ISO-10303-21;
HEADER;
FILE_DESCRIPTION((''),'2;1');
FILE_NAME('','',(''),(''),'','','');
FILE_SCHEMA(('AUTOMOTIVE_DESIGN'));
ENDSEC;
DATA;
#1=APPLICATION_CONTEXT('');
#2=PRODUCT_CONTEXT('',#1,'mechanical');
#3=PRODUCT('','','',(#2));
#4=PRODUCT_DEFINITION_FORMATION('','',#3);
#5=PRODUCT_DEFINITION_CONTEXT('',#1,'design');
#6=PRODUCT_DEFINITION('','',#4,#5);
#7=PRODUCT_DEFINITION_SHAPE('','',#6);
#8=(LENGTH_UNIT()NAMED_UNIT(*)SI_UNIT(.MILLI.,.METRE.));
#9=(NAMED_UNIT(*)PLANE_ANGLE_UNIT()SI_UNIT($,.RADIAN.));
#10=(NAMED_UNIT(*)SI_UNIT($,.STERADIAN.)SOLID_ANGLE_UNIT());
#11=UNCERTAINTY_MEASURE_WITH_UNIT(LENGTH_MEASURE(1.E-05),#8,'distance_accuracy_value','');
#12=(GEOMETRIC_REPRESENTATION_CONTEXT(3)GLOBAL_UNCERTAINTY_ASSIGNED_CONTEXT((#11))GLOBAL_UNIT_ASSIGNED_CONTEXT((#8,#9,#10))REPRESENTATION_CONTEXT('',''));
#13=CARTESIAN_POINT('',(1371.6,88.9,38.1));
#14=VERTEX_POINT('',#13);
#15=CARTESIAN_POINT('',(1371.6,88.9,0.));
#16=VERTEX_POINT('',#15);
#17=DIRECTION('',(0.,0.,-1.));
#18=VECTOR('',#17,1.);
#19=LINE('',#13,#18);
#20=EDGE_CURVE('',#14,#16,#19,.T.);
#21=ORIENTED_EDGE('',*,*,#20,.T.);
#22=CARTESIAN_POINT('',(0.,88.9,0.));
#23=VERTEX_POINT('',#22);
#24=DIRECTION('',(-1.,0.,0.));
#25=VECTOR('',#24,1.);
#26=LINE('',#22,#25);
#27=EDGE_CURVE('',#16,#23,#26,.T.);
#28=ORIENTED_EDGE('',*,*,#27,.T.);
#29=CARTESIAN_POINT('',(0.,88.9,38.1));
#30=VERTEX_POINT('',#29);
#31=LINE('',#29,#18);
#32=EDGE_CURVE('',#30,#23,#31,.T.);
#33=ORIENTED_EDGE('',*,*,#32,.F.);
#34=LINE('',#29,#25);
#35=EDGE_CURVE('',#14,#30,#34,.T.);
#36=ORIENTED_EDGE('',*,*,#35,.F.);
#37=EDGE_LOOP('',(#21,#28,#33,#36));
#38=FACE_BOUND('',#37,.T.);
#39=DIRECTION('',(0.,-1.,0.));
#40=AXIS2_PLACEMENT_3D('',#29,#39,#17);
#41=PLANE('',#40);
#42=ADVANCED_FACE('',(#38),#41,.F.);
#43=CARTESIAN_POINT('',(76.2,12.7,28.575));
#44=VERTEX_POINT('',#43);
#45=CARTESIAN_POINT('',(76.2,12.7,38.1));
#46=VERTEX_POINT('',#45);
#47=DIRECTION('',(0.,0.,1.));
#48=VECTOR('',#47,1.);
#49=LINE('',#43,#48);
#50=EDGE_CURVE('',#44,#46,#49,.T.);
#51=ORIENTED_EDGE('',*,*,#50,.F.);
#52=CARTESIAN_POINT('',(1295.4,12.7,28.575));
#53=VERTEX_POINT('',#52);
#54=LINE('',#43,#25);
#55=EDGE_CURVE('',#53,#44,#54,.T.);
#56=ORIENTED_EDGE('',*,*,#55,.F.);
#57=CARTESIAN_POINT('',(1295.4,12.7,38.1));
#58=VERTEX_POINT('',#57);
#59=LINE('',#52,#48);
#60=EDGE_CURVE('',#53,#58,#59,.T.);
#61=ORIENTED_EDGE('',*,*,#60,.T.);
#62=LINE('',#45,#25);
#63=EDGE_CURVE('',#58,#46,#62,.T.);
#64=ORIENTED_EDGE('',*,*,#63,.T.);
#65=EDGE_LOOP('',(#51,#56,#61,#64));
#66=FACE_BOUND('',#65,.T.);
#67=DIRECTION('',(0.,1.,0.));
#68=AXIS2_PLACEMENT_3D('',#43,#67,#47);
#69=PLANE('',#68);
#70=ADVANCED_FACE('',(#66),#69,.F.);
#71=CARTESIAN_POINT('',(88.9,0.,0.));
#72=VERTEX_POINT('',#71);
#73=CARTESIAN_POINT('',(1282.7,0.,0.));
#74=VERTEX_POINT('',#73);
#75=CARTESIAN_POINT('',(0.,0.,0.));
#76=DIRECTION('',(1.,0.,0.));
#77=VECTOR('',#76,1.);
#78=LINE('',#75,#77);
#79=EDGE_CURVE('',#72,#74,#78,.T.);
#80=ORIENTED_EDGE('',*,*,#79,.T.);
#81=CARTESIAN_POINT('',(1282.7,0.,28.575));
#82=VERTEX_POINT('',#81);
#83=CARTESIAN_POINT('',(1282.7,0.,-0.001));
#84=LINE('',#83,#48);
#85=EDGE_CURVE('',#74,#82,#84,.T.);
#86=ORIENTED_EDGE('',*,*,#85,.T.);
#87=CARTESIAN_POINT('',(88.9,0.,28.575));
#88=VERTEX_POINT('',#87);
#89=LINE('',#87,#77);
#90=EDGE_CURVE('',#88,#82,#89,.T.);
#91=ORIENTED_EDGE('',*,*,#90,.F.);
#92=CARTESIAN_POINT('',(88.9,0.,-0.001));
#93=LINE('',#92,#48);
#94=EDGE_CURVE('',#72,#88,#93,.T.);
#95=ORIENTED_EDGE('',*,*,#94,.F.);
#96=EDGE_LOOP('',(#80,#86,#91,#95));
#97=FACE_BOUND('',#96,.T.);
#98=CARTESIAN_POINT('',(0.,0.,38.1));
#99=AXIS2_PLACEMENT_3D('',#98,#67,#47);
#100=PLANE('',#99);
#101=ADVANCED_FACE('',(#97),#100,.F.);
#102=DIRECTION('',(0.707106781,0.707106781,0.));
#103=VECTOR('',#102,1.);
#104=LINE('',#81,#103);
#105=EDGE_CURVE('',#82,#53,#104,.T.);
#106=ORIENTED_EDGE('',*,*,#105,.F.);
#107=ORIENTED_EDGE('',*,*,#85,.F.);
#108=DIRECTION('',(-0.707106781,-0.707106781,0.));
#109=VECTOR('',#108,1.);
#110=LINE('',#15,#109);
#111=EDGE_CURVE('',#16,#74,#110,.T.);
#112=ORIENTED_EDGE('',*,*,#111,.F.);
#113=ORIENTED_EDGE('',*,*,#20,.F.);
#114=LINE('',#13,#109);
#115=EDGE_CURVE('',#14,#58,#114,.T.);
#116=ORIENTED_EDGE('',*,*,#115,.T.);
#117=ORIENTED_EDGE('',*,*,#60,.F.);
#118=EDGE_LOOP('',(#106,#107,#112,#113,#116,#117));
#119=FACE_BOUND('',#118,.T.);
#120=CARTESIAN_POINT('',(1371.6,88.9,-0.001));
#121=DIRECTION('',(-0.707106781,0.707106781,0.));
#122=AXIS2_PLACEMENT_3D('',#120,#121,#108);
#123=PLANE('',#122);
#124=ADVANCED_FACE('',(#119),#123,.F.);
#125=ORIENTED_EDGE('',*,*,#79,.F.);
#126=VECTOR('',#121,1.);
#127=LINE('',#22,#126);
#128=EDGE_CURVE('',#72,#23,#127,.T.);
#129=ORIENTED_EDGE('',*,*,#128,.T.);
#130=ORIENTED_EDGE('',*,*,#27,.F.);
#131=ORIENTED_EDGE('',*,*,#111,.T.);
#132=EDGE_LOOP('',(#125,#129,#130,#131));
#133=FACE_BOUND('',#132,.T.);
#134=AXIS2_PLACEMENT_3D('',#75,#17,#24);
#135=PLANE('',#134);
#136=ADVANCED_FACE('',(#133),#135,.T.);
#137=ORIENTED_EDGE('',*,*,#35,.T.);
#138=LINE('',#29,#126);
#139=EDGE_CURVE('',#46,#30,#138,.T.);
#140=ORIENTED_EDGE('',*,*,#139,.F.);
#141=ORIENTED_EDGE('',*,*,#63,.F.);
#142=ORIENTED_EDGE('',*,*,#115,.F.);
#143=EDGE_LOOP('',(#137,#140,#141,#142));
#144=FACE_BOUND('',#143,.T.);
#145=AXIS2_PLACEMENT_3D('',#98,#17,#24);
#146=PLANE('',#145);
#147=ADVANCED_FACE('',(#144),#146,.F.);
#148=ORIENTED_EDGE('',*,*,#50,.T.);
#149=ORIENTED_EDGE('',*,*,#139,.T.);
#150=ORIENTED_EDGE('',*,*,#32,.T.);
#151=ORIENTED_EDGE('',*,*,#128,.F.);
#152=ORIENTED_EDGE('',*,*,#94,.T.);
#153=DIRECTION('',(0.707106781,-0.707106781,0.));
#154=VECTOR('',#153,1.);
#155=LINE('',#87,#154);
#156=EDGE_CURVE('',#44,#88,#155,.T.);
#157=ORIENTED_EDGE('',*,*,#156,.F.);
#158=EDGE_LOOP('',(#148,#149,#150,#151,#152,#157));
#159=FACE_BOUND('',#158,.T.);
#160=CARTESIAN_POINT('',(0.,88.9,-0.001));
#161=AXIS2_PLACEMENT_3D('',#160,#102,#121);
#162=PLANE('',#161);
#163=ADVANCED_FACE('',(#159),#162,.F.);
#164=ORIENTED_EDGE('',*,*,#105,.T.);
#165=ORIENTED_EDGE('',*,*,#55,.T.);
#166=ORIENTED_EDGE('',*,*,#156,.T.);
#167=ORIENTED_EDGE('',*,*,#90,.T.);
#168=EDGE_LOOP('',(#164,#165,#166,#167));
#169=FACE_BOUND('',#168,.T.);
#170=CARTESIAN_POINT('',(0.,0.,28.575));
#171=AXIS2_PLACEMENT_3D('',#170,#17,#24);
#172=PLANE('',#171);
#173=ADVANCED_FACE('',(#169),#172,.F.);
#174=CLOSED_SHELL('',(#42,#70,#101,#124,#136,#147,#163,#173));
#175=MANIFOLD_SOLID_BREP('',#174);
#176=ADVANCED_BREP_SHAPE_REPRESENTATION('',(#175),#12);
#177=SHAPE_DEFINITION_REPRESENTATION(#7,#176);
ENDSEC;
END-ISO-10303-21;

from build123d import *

# Parameters (mm, degrees)
SKETCH1_W           = 1371.6
SKETCH1_H           = 88.9
BOSS_EXTRUDE1_DEPTH = 38.1
CUT_EXTRUDE1_REACH  = 40.1
CUT_EXTRUDE2_REACH  = 40.1
CUT_EXTRUDE3_DEPTH  = 9.525


with BuildPart() as part:
    # Sketch1 → Boss-Extrude1 (new body)
    with BuildSketch(Plane.XY):
        with Locations((685.8, 44.45)):
            Rectangle(SKETCH1_W, SKETCH1_H)
    extrude(amount=BOSS_EXTRUDE1_DEPTH)

    # Sketch2 → Cut-Extrude1 (cut, up to next)
    with BuildSketch(Plane.XY.offset(38.1), mode=Mode.PRIVATE) as cut_extrude1_sk1:
        Polygon((0, 88.9), (88.9, 0), (0, 0), align=None)
    cut_extrude1_tool1 = extrude(cut_extrude1_sk1.sketch, amount=-CUT_EXTRUDE1_REACH, mode=Mode.PRIVATE) & part.part
    add(cut_extrude1_tool1.solids().sort_by_distance((29.633333, 29.633333, 38.1))[0], mode=Mode.SUBTRACT)

    # Sketch3 → Cut-Extrude2 (cut, up to next)
    with BuildSketch(Plane.XY.offset(38.1), mode=Mode.PRIVATE) as cut_extrude2_sk1:
        Polygon((1371.6, 88.9), (1282.7, 0), (1371.6, 0), align=None)
    cut_extrude2_tool1 = extrude(cut_extrude2_sk1.sketch, amount=-CUT_EXTRUDE2_REACH, mode=Mode.PRIVATE) & part.part
    add(cut_extrude2_tool1.solids().sort_by_distance((1341.966667, 29.633333, 38.1))[0], mode=Mode.SUBTRACT)

    # Sketch4 → Cut-Extrude3 (cut)
    with BuildSketch(Plane.XY.offset(38.1)):
        Polygon((88.9, 0), (1282.7, 0), (1295.4, 12.7), (76.2, 12.7), align=None)
    extrude(amount=-CUT_EXTRUDE3_DEPTH, mode=Mode.SUBTRACT)


solid = part.part
